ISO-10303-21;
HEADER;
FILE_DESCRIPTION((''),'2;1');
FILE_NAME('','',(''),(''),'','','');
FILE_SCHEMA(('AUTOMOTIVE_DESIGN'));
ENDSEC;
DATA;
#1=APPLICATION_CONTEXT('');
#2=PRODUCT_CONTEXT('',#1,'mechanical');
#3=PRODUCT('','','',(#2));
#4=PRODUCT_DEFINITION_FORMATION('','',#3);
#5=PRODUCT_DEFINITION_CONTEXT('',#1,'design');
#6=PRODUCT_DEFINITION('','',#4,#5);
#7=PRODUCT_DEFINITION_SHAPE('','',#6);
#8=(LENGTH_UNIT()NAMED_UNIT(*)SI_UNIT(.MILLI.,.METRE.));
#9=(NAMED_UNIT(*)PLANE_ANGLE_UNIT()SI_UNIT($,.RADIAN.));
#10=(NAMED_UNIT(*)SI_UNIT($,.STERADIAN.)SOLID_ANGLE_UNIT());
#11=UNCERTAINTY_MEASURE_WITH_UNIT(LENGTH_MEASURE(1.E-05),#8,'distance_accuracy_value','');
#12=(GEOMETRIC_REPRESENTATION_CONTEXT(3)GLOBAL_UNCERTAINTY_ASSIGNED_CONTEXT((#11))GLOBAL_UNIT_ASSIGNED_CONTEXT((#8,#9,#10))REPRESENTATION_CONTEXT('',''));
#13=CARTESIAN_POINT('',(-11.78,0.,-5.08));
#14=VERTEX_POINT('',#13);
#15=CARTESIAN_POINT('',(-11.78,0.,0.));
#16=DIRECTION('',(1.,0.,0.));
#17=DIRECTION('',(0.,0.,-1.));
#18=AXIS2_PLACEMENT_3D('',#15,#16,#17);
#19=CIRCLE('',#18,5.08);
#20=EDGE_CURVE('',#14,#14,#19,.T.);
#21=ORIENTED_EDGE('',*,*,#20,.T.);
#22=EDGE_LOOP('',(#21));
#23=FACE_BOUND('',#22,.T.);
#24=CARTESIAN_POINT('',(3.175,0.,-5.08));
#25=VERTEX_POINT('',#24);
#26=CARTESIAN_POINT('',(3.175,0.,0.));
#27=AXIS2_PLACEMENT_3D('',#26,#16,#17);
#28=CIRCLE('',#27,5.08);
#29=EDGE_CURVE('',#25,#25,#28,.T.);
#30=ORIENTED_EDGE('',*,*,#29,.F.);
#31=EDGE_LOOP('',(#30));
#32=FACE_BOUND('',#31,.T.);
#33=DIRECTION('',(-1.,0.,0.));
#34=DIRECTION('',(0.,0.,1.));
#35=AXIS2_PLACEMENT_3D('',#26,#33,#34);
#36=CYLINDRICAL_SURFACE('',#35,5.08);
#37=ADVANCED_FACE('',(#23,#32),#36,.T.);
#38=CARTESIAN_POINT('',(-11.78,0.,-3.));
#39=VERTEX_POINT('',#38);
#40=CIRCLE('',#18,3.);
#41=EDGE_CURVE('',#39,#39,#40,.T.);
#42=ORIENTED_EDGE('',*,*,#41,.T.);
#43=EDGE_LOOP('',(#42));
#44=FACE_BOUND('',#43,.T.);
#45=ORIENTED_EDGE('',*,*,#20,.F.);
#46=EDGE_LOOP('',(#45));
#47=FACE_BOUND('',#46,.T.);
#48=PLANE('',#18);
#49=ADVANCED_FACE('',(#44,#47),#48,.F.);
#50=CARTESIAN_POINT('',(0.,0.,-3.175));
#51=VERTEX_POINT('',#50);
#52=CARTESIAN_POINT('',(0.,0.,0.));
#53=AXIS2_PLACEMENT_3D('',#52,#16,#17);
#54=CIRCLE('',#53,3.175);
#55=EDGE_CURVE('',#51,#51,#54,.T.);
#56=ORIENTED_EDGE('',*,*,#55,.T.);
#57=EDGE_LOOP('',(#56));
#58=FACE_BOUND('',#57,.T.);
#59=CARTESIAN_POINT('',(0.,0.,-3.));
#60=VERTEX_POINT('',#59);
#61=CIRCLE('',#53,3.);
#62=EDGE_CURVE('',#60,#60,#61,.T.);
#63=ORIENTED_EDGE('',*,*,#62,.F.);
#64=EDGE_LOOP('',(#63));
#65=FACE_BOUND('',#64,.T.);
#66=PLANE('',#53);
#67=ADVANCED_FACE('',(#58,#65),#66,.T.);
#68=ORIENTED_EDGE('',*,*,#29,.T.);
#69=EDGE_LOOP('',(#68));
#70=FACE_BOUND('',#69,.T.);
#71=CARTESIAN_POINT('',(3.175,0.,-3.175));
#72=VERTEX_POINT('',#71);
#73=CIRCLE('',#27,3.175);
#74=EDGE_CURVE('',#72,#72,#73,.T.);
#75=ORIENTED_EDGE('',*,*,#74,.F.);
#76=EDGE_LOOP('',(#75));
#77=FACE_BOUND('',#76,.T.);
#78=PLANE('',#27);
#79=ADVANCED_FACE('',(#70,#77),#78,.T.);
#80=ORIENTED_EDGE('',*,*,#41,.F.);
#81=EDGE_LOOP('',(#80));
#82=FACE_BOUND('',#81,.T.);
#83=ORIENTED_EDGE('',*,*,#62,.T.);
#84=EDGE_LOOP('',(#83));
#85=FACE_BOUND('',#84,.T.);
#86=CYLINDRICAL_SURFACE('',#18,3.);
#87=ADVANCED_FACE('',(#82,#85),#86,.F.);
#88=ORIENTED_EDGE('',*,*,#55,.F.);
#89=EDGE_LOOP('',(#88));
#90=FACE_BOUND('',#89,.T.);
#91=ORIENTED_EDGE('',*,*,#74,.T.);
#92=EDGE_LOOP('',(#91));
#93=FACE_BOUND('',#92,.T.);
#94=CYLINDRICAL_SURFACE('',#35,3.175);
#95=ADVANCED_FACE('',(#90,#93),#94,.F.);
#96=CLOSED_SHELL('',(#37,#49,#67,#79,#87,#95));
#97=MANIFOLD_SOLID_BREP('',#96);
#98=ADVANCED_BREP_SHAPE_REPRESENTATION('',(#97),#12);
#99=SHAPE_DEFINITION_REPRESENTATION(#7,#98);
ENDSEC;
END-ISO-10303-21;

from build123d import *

# Parameters (mm, degrees)
SKETCH1_R           = 5.08
SKETCH1_R_2         = 3.175
BOSS_EXTRUDE1_DEPTH = 3.175
BOSS_EXTRUDE2_START = -11.780000011
SKETCH1_3_R         = 5.08
SKETCH1_3_R_2       = 3
BOSS_EXTRUDE2_DEPTH = 11.780000011


with BuildPart() as part:
    # Sketch1 → Boss-Extrude1 (new body)
    with BuildSketch(Plane(origin=(0, 0, 0), x_dir=(0, 0, -1), z_dir=(1, 0, 0))):
        Circle(SKETCH1_R)
        Circle(SKETCH1_R_2, mode=Mode.SUBTRACT)
    extrude(amount=BOSS_EXTRUDE1_DEPTH)

    # Sketch1<3> → Boss-Extrude2 (add)
    with BuildSketch(Plane(origin=(0, 0, 0), x_dir=(0, 0, -1), z_dir=(1, 0, 0)).offset(BOSS_EXTRUDE2_START)):
        Circle(SKETCH1_3_R)
        Circle(SKETCH1_3_R_2, mode=Mode.SUBTRACT)
    extrude(amount=BOSS_EXTRUDE2_DEPTH)


solid = part.part
